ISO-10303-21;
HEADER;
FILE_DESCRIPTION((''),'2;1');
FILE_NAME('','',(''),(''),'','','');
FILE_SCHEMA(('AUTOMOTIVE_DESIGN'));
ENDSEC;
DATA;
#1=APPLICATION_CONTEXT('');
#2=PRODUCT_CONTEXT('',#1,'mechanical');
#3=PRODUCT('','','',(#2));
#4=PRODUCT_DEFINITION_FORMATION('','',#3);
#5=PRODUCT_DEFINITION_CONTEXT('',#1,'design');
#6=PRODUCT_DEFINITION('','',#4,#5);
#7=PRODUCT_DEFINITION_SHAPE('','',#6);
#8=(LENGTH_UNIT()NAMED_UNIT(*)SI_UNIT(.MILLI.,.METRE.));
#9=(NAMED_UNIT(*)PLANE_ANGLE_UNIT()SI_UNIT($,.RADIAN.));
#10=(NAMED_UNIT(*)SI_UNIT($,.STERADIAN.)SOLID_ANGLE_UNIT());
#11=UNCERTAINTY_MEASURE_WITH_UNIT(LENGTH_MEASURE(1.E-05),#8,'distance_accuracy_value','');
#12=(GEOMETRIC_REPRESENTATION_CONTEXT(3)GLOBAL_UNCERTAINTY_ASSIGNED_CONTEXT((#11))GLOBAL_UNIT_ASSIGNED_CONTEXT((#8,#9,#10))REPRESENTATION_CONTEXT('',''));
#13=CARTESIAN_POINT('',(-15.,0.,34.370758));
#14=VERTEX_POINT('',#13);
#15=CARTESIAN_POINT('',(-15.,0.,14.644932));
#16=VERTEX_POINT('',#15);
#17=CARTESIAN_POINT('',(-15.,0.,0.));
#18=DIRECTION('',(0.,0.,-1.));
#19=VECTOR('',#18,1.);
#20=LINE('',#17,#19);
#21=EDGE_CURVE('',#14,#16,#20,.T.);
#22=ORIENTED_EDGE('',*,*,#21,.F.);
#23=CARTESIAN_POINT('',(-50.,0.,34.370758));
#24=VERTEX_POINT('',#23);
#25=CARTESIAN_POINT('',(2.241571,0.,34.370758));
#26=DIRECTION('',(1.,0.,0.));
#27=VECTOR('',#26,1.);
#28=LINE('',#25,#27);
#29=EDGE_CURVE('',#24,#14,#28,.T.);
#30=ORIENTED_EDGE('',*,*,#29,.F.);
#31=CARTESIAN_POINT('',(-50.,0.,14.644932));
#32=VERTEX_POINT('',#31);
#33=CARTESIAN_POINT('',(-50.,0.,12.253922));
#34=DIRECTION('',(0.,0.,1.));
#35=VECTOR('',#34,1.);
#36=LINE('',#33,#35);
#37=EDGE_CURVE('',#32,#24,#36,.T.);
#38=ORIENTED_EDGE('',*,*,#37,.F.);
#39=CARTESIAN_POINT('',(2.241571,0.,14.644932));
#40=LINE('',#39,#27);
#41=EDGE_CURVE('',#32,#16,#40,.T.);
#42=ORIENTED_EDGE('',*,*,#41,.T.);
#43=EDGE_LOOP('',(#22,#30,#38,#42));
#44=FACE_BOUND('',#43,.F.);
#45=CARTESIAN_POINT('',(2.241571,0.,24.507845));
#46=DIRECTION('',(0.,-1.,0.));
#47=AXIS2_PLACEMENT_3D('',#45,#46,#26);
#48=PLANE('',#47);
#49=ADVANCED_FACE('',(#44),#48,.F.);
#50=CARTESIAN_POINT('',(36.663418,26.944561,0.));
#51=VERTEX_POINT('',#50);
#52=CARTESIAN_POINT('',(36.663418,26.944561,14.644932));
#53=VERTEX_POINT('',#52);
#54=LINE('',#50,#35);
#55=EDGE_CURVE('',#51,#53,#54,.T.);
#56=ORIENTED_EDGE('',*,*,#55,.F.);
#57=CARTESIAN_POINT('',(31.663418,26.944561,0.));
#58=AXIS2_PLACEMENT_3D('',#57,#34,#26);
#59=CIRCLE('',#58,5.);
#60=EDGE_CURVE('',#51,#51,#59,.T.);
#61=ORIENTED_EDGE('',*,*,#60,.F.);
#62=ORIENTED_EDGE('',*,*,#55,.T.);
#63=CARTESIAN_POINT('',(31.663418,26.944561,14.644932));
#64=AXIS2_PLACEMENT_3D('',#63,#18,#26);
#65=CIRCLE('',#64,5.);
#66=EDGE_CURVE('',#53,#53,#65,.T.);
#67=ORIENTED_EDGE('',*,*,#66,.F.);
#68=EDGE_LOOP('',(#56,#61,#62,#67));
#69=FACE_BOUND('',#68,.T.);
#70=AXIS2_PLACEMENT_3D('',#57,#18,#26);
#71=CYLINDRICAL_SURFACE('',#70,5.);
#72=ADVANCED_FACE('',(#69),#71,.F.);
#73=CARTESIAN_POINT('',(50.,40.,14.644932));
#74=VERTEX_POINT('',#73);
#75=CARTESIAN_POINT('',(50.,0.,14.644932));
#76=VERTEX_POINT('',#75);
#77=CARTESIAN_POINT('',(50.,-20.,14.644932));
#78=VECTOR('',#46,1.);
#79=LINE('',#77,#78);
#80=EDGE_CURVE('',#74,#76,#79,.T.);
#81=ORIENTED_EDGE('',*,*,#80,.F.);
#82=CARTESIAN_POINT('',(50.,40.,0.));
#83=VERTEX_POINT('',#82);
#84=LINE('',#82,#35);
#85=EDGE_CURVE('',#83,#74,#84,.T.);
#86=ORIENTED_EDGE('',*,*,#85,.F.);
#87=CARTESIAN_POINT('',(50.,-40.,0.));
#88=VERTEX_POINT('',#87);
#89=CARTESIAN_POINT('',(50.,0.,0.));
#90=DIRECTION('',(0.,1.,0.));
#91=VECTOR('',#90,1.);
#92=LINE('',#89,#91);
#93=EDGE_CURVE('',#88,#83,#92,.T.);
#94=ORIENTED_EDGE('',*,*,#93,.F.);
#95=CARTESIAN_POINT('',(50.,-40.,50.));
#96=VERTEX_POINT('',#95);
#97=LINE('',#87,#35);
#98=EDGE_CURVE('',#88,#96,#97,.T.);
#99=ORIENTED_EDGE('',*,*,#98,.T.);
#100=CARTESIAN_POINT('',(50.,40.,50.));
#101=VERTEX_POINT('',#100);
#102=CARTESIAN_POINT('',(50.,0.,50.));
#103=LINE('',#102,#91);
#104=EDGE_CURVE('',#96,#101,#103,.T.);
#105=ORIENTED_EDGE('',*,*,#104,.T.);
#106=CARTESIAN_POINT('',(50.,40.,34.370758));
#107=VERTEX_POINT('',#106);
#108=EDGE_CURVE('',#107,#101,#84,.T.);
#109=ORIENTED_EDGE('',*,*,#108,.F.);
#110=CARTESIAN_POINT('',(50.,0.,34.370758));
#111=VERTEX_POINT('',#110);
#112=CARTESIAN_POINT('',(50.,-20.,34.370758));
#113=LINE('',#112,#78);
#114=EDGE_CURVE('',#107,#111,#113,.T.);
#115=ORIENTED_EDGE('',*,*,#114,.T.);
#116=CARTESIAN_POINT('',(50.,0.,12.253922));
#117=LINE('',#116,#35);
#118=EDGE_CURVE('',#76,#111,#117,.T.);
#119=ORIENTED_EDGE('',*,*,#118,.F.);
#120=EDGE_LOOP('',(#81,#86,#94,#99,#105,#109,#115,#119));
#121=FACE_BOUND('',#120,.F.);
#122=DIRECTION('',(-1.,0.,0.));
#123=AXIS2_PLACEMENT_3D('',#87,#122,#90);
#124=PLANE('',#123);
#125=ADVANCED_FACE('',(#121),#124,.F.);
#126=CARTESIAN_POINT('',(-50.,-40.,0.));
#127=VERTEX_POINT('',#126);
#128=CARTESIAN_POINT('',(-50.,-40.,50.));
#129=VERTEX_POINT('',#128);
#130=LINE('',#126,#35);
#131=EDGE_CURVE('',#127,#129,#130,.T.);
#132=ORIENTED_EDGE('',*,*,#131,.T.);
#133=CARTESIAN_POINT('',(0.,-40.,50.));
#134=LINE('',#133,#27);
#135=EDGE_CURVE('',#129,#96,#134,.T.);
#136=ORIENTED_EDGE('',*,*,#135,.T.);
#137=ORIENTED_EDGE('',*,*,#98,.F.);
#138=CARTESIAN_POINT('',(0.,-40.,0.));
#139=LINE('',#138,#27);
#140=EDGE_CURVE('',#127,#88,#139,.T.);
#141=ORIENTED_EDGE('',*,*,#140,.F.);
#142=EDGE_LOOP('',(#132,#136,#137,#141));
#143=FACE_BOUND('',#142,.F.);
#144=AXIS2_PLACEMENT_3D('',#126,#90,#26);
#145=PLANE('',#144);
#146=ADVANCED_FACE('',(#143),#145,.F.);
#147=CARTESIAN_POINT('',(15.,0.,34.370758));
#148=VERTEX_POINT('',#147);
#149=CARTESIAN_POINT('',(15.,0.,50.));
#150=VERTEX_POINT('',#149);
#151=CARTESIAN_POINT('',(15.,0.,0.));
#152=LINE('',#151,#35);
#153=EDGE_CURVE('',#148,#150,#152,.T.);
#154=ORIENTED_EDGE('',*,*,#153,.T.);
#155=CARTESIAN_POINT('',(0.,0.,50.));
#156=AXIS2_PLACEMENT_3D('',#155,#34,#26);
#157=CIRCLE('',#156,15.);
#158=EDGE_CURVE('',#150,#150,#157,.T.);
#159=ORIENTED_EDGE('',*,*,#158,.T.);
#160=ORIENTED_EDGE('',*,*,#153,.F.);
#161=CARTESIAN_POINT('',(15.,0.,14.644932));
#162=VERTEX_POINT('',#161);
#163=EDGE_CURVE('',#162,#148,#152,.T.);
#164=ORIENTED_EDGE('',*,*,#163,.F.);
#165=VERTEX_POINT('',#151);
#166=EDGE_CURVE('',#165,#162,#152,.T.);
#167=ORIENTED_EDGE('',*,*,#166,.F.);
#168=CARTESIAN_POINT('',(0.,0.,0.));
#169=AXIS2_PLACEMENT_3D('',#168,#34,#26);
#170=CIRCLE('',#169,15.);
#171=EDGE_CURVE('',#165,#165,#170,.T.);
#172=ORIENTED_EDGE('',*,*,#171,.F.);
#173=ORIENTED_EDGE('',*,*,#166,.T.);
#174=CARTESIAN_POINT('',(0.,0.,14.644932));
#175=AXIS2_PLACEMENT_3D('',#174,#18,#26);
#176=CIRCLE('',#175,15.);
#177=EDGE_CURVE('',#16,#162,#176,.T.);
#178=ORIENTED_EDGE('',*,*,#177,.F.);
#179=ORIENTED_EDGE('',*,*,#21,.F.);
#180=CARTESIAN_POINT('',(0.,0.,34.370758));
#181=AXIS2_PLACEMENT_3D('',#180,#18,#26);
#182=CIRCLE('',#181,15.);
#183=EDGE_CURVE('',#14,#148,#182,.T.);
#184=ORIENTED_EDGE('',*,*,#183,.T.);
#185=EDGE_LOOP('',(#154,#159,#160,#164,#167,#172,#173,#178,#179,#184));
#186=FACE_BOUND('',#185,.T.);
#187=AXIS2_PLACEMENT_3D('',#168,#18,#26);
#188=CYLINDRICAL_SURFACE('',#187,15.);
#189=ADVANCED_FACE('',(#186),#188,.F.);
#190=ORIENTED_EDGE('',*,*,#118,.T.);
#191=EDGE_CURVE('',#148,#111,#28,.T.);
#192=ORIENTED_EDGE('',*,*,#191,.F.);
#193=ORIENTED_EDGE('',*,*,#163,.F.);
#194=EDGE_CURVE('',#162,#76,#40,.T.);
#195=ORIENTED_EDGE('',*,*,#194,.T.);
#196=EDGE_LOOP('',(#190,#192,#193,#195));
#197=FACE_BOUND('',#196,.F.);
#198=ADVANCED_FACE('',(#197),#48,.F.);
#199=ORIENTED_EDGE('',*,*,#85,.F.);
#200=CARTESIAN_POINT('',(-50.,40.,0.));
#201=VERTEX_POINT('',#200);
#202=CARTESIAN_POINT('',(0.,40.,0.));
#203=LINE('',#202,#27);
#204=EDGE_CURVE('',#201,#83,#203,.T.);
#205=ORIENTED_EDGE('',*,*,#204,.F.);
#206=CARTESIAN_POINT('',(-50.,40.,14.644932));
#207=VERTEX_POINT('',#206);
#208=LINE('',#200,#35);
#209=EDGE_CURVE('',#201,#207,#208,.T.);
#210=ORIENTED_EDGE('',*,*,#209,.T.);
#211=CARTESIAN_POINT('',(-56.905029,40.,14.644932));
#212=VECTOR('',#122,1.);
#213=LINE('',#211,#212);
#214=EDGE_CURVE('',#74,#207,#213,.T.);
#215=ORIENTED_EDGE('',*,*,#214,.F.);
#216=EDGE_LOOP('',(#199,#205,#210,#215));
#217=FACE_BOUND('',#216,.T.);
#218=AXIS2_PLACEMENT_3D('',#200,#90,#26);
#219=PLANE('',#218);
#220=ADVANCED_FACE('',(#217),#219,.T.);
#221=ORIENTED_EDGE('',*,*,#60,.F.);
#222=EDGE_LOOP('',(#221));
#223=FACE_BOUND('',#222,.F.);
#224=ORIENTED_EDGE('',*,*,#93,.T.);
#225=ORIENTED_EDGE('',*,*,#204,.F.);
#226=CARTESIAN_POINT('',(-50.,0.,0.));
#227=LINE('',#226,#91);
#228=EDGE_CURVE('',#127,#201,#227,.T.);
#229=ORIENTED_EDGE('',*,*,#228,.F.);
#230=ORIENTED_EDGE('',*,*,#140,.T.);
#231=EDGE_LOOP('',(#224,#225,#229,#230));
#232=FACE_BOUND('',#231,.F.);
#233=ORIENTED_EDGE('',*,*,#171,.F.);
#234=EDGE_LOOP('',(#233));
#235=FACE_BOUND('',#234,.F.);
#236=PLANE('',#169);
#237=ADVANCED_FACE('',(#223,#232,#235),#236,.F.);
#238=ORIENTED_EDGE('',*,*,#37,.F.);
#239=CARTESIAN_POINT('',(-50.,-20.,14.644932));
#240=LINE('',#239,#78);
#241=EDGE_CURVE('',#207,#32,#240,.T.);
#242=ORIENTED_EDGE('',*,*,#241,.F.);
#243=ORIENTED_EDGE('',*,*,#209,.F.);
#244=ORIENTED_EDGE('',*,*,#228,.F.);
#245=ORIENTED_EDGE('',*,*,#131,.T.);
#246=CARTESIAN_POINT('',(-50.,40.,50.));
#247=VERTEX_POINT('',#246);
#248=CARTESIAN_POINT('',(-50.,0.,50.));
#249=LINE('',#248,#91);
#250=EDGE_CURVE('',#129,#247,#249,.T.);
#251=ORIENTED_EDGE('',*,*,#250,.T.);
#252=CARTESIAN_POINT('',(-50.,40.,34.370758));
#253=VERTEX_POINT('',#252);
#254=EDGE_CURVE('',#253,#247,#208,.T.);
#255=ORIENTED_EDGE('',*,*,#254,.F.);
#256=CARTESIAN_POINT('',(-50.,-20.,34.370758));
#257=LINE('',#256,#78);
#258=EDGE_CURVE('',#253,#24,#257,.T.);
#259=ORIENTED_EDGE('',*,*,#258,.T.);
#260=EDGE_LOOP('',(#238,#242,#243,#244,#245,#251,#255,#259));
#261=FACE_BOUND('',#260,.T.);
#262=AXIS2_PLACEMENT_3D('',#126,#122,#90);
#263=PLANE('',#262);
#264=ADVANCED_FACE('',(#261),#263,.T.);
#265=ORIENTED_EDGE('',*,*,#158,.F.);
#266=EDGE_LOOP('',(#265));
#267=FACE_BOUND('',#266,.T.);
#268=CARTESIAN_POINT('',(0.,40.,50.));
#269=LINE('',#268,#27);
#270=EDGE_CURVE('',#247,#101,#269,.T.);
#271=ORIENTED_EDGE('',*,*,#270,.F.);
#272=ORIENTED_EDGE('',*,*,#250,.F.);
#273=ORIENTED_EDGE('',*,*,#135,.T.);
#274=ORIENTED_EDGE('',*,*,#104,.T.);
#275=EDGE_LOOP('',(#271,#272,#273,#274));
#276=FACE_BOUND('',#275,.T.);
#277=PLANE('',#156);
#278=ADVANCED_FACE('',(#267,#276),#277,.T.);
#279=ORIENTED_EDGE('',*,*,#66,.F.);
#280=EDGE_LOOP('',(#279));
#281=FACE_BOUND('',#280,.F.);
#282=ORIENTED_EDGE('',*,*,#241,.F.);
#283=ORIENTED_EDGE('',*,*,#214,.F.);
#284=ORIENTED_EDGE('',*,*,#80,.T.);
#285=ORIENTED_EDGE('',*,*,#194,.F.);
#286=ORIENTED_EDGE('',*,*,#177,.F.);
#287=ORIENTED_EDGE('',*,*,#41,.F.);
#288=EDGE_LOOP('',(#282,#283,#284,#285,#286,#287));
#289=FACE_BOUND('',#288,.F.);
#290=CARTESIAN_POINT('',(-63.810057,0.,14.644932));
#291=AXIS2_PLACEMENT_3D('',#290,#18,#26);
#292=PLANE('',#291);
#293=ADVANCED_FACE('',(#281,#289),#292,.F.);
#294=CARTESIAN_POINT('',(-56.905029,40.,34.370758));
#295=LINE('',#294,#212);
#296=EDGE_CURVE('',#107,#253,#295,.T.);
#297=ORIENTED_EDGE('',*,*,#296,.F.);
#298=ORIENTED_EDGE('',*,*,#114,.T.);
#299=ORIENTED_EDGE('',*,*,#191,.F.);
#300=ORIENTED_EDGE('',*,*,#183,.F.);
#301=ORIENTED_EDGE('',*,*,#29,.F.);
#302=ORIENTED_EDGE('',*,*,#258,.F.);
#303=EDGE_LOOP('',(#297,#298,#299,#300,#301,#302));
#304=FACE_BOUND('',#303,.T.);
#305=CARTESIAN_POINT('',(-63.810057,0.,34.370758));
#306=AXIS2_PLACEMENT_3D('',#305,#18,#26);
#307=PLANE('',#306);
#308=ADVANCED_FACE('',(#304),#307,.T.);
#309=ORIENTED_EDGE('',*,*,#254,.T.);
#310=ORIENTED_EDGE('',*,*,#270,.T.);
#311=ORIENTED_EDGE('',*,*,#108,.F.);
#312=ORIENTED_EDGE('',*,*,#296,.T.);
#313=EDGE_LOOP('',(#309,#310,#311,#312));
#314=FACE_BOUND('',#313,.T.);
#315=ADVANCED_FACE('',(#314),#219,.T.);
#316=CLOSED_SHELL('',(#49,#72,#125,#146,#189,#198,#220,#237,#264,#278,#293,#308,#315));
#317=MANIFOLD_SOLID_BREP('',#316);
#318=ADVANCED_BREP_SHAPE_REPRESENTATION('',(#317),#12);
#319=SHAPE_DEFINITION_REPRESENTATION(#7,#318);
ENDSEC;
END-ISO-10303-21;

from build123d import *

# Parameters (mm, degrees)
F0_W     = 100
F0_H     = 80
F0_R     = 15
F1_DEPTH = 50
F2_W     = 132.103257
F2_H     = 19.725826
F3_DEPTH = 50
F4_R     = 5
F5_DEPTH = 25


with BuildPart() as f1:
    # F0 (on Top) → F1 (new body)
    with BuildSketch(Plane.XY):
        Rectangle(F0_W, F0_H)
        Circle(F0_R, mode=Mode.SUBTRACT)
    extrude(amount=F1_DEPTH)

    # F2 (on Front) → F3 (cut)
    with BuildSketch(Plane.XZ):
        with Locations((2.241571, 24.507845)):
            Rectangle(F2_W, F2_H)
    extrude(amount=-F3_DEPTH, mode=Mode.SUBTRACT)

    # F4 (on Top) → F5 (cut)
    with BuildSketch(Plane.XY):
        with Locations((31.663418, 26.944561)):
            Circle(F4_R)
    extrude(amount=F5_DEPTH, mode=Mode.SUBTRACT)


solid = f1.part
